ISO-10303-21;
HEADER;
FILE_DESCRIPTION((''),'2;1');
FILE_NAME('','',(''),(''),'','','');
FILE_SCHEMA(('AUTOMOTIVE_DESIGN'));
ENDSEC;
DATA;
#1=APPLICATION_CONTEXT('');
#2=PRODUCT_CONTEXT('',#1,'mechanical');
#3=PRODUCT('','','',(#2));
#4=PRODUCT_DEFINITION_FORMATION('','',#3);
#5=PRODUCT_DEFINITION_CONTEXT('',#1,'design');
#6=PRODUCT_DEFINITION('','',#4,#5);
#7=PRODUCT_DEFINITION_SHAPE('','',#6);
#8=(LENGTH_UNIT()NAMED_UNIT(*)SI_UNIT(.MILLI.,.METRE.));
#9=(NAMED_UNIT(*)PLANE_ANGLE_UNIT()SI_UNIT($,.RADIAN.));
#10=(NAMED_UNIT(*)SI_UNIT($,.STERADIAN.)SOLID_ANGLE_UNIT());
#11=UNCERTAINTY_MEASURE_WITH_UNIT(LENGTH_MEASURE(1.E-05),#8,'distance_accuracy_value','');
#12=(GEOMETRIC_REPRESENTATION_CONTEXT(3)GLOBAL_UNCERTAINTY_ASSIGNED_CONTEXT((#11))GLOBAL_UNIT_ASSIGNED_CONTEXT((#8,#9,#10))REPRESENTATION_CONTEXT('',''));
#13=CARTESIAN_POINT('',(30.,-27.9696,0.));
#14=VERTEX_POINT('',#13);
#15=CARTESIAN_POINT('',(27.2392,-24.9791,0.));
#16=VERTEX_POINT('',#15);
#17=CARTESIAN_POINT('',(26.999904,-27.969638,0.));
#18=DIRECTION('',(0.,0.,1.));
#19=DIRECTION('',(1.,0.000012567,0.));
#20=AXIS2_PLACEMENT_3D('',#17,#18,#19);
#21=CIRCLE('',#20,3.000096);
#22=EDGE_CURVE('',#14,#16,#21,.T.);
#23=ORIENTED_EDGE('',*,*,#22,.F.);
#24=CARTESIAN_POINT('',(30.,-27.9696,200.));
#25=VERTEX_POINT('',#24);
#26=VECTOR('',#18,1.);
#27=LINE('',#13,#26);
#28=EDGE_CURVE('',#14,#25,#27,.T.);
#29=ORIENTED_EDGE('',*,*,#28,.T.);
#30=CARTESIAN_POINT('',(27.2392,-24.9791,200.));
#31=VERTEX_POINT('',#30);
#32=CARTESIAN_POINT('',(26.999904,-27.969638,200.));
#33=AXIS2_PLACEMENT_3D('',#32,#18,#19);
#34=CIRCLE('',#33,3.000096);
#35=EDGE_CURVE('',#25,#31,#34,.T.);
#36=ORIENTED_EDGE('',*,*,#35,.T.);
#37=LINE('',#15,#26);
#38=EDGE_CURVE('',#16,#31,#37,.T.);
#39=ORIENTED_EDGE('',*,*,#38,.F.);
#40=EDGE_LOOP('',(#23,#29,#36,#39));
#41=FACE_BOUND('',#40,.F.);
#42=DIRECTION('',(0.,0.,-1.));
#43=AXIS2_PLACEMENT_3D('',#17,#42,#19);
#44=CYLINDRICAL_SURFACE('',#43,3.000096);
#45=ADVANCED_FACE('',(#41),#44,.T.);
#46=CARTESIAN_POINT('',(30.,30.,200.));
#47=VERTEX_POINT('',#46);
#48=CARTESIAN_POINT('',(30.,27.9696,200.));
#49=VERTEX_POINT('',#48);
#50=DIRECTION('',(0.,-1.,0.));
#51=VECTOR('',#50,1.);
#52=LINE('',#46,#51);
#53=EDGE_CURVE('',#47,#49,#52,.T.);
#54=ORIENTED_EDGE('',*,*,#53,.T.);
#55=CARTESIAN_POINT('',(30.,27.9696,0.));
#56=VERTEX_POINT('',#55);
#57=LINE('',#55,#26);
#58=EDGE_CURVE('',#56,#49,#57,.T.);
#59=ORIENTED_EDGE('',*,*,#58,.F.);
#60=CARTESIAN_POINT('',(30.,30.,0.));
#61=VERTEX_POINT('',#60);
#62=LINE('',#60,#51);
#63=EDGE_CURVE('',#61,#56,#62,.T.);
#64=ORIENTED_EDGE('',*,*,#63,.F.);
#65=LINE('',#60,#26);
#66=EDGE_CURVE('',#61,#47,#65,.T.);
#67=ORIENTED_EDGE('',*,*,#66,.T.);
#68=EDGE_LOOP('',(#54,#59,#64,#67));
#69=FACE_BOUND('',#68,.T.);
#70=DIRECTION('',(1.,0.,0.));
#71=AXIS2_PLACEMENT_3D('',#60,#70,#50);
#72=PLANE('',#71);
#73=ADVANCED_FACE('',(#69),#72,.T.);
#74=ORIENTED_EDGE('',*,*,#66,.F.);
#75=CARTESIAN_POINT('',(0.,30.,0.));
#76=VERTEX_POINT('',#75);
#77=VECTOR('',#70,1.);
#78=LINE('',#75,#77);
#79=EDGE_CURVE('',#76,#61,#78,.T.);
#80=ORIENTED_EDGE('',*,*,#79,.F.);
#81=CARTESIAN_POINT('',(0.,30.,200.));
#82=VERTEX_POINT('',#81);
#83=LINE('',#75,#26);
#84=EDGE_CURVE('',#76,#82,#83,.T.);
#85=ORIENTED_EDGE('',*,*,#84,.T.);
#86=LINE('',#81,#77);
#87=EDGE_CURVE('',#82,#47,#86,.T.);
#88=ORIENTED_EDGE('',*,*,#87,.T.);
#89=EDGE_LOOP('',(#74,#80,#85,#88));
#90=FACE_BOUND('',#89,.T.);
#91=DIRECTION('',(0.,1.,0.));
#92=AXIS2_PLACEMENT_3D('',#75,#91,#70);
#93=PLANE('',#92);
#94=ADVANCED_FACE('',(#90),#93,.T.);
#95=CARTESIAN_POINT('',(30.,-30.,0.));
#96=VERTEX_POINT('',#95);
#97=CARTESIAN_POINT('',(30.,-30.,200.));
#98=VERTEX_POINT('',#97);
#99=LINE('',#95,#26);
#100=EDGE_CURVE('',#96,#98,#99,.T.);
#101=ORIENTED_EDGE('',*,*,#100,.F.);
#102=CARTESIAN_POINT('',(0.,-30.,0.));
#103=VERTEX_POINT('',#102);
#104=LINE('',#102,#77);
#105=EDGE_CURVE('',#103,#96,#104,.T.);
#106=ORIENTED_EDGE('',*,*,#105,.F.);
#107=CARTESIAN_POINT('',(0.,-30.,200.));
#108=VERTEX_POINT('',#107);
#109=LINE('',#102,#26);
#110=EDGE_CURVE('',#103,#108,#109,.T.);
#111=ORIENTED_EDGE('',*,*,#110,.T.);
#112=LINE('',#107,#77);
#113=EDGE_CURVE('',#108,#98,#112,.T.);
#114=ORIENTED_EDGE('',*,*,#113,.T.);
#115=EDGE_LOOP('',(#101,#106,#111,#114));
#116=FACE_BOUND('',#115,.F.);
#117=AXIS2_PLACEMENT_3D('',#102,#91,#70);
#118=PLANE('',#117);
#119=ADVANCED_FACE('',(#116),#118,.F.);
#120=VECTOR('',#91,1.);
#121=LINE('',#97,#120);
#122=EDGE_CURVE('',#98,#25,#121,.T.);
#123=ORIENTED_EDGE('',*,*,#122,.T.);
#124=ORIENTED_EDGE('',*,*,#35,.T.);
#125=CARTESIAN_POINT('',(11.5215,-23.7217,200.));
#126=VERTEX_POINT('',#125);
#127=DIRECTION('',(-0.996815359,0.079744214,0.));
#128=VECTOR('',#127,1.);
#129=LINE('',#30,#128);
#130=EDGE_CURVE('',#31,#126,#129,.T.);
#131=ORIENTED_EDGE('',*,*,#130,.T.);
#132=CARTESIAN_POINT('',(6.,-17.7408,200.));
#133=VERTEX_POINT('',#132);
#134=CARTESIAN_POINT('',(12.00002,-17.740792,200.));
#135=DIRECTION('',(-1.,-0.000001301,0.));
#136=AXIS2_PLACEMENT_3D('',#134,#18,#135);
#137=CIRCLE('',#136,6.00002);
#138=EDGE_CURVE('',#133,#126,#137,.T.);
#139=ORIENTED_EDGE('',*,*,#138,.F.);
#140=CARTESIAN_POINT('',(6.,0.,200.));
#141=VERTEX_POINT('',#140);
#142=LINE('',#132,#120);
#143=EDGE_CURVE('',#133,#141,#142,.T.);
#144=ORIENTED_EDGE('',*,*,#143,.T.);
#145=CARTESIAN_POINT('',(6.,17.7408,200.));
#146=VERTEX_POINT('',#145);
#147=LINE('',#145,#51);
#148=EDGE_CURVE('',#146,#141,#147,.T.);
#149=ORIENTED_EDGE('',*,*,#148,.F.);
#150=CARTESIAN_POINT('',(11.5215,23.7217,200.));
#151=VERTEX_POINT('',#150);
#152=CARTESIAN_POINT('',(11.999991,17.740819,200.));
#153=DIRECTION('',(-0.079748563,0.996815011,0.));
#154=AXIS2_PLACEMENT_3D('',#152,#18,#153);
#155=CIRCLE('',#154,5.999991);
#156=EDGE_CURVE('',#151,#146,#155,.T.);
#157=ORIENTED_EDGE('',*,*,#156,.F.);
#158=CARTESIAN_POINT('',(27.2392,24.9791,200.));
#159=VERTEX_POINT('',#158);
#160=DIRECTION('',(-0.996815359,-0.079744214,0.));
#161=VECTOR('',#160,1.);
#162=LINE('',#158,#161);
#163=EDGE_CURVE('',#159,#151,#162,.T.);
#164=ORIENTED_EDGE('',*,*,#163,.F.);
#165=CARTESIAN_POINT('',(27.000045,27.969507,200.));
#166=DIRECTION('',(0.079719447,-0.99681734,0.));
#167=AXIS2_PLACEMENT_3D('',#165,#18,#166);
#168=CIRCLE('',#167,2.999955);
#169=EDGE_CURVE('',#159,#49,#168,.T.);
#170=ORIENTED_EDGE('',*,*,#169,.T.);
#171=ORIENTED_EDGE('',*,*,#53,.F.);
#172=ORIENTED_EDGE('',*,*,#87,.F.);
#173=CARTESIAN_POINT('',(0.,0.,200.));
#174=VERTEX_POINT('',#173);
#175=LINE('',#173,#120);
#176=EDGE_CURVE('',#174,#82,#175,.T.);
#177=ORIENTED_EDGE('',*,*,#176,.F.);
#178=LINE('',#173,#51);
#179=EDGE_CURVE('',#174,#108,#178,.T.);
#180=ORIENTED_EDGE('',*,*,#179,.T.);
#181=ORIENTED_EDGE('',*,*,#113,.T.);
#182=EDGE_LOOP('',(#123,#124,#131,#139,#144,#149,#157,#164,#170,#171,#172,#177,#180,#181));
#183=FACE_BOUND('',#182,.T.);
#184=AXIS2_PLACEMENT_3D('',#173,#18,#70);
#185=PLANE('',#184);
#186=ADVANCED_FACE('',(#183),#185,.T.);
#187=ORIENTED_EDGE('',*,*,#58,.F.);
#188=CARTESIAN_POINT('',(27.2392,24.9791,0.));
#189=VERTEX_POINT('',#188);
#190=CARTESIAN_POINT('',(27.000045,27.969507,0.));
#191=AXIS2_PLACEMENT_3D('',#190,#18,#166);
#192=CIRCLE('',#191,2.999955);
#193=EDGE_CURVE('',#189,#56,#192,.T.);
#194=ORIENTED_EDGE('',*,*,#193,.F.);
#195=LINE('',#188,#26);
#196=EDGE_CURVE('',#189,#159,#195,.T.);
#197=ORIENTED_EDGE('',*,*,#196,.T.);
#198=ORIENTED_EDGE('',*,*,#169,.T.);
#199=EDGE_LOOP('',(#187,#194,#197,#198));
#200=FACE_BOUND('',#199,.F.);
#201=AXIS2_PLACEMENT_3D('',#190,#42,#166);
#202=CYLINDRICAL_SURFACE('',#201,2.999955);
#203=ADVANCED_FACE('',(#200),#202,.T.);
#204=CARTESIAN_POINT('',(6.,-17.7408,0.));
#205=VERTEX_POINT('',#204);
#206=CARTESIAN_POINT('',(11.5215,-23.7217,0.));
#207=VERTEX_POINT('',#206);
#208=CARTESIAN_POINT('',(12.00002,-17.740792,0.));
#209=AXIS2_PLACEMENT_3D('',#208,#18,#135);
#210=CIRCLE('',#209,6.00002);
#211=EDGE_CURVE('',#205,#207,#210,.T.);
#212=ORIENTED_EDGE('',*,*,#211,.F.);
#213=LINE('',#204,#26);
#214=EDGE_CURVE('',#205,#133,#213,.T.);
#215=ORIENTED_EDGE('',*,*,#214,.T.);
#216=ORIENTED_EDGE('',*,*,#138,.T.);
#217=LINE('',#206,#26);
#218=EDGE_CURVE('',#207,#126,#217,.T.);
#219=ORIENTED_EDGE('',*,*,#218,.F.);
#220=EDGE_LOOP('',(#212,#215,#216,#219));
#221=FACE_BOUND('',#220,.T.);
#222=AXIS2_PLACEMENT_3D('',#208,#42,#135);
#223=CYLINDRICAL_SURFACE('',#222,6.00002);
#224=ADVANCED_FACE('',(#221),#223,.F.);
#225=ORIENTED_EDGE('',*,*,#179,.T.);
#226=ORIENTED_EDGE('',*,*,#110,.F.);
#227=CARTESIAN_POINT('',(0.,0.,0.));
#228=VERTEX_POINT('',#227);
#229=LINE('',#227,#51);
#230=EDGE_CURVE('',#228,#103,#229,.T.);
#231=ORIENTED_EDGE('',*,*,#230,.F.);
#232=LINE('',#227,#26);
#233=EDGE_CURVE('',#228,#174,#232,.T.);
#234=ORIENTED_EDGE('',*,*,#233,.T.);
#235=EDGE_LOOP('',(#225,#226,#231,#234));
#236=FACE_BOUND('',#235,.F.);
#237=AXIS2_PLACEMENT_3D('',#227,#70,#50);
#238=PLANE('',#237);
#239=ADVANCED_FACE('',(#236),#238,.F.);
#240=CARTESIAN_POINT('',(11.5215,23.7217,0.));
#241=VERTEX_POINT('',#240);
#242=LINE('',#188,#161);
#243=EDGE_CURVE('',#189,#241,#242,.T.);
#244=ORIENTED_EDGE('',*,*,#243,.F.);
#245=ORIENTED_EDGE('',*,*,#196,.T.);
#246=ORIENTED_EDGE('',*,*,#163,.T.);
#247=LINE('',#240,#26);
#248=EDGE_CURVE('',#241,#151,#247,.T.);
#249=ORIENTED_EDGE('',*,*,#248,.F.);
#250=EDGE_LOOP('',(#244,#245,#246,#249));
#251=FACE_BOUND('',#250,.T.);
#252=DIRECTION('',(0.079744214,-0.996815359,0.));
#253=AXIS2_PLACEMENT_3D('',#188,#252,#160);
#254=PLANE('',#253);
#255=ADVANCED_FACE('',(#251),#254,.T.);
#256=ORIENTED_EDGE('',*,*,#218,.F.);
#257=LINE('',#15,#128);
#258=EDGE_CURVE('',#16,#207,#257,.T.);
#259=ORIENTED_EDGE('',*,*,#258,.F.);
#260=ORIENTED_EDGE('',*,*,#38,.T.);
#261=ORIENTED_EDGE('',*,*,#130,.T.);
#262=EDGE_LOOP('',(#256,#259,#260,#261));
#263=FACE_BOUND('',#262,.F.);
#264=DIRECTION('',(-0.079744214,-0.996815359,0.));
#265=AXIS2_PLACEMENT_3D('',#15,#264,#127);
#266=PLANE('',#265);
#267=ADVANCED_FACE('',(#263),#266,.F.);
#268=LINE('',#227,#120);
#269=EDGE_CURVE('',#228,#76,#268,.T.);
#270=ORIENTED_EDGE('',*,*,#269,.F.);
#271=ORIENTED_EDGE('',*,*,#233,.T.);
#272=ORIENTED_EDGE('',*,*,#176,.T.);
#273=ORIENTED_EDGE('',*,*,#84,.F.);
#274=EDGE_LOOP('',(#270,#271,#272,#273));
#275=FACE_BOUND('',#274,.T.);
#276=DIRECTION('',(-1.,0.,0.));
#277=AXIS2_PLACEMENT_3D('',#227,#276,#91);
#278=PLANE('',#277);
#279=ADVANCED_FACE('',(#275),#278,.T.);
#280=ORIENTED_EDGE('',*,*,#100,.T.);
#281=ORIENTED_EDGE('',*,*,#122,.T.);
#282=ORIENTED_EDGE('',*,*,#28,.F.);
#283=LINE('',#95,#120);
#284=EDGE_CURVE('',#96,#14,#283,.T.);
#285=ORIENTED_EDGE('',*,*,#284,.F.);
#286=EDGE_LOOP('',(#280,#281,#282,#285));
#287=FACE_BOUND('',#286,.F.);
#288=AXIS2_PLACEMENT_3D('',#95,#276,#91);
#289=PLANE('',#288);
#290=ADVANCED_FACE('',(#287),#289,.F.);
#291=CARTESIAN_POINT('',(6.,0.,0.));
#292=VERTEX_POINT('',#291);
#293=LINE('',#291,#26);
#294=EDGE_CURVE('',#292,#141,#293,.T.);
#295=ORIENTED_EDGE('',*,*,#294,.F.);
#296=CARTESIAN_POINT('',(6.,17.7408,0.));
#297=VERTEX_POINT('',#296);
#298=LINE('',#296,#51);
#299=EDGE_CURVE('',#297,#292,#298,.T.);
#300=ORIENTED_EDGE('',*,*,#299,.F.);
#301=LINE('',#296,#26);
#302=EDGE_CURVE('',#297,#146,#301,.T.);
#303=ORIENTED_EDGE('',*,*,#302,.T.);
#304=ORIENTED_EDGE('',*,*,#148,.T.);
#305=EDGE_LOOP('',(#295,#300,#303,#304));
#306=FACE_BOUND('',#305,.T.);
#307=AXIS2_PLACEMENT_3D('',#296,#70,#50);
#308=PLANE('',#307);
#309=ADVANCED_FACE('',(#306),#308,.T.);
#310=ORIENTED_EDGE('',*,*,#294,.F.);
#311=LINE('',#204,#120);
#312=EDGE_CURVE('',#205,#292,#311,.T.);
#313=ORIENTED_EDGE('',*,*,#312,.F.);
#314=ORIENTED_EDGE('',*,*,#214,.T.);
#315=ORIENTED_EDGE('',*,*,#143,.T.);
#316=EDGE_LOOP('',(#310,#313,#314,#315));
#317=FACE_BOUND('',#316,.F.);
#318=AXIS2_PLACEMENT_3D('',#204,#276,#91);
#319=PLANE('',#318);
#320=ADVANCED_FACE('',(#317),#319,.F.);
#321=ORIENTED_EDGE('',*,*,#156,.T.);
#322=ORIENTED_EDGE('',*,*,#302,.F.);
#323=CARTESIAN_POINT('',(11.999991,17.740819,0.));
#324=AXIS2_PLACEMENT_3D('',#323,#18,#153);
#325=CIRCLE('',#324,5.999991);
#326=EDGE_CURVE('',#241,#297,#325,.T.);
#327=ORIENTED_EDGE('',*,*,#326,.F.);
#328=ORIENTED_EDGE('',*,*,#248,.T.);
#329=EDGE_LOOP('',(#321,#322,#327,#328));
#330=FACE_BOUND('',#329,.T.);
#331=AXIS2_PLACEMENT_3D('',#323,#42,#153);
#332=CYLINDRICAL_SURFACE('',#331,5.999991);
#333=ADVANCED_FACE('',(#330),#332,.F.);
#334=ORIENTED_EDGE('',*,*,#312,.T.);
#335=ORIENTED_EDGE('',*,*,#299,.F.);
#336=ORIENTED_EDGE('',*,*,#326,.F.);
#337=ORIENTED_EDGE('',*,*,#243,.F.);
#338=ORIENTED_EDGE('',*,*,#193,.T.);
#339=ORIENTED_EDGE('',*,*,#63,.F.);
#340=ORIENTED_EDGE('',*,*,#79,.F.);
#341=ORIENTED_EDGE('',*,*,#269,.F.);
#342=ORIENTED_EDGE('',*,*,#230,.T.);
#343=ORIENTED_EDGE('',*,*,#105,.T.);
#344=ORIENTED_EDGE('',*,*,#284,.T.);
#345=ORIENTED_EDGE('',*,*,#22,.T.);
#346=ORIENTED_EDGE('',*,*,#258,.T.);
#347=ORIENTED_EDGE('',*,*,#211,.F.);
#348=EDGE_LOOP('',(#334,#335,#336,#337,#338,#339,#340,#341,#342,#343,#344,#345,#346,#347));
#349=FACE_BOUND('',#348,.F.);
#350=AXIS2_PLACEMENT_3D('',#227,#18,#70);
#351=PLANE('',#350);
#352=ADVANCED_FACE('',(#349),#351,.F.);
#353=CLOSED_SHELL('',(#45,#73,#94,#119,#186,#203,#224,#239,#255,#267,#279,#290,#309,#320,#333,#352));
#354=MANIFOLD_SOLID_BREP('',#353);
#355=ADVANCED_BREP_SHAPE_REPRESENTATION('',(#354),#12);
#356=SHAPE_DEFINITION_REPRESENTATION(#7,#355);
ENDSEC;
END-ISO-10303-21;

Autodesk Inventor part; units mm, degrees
ref_plane "YZ Plane" through (0, 0, 0) normal (1, 0, 0) x (0, 1, 0)
ref_plane "Start plane" through (0, 0, 0) normal (0, 0, 1) x (1, 0, 0)
ref_plane "End plane" through (0, 0, 350) normal (0, 0, 1) x (1, 0, 0)
sketch "Sketch" plane through (0, 0, 0) normal (0, 0, 1) x (1, 0, 0)
  line L0 (0, 0) -> (0, 30)
  line L1 (0, 30) -> (30, 30)
  line L2 (30, 30) -> (30, 27.9696)
  line L3 (27.2392, 24.9791) -> (11.5215, 23.7217)
  line L4 (6, 17.7408) -> (6, 0)
  line L5 (6, 0) -> (0, 0) construction
  line L6 (15, 30) -> (15, 24) construction
  line L7 (30, 25.2) -> (30, 24) construction
  line L8 (30, 24) -> (15, 24) construction
  line L9 (0, 15) -> (0, -27) construction
  line L10 (-5.539, 0) -> (16.0067, 0) construction
  line L11 (0, 0) -> (0, -30)
  line L12 (0, -30) -> (30, -30)
  line L13 (30, -30) -> (30, -27.9696)
  line L14 (27.2392, -24.9791) -> (11.5215, -23.7217)
  line L15 (6, -17.7408) -> (6, 0)
  arc A0 (11.5215, 23.7217) -> (6, 17.7408) centre (12, 17.7408) ccw
  arc A1 (6, -17.7408) -> (11.5215, -23.7217) centre (12, -17.7408) ccw
  arc A2 (27.2392, 24.9791) -> (30, 27.9696) centre (27, 27.9696) ccw
  arc A3 (30, -27.9696) -> (27.2392, -24.9791) centre (27, -27.9696) ccw
  line L16 (0, 42) -> (0, -42) construction
  line L17 (-12.7637, 0) -> (37.8094, 0) construction
  point P0 (6, 23.28)
  point P1 (30, -25.2)
  point P2 (6, -23.28)
  point P3 (15, -30)
  point P4 (15, -24)
  dimension "d0" = 6
  dimension "d1" = 30
  dimension "d2" = 30
  dimension "d3" = 6
  dimension "d4" = 15
  dimension "d5" = 1.2
  dimension "d23" = 6
  dimension "d24" = 3
  dimension "d25" = 0
extrude "Body" add sketch "Sketch" along normal blind 200
sketch "Sketch3" plane through (0, 0, 0) normal (0, 0, 1) x (1, 0, 0)
  line L0 (0, 0) -> (10, 0)
ref_plane "Work Plane3" through (0, 0, 0) normal (0, -1, 0) x (1, 0, 0)
sketch "Sketch4" plane through (0, 0, 0) normal (0, -1, 0) x (1, 0, 0)
  line L0 (-2, 0) -> (12, 0)
  line L1 (-2, 350) -> (12, 350)
  dimension "d29" = 350
equation "\"d0\" = G_T"
equation "\"d1\" = 0.5 * G_H"
equation "\"d2\" = G_W"
equation "\"d3\" = G_T1"
equation "\"d4\" = G_C"
equation "\"d23\" = G_IR"
equation "\"d24\" = G_ER"
equation "\"G_W\" = 30"
equation "\"G_T\" = 6"
equation "\"G_T1\" = 6"
equation "\"G_NG\" = 0.08"
equation "\"G_ER\" = 3"
equation "\"G_IR\" = 6"
equation "\"G_C\" = 15"
equation "\"G_L\" = d29"
equation "\"ex\" = 0"
equation "\"G_OFFSET_START\" = 0"
equation "\"G_OFFSET_END\" = 0"
equation "\"G_H\" = 60"
properties part number "DIN1026-1 - U 60 - 350" material "Steel, Mild"
